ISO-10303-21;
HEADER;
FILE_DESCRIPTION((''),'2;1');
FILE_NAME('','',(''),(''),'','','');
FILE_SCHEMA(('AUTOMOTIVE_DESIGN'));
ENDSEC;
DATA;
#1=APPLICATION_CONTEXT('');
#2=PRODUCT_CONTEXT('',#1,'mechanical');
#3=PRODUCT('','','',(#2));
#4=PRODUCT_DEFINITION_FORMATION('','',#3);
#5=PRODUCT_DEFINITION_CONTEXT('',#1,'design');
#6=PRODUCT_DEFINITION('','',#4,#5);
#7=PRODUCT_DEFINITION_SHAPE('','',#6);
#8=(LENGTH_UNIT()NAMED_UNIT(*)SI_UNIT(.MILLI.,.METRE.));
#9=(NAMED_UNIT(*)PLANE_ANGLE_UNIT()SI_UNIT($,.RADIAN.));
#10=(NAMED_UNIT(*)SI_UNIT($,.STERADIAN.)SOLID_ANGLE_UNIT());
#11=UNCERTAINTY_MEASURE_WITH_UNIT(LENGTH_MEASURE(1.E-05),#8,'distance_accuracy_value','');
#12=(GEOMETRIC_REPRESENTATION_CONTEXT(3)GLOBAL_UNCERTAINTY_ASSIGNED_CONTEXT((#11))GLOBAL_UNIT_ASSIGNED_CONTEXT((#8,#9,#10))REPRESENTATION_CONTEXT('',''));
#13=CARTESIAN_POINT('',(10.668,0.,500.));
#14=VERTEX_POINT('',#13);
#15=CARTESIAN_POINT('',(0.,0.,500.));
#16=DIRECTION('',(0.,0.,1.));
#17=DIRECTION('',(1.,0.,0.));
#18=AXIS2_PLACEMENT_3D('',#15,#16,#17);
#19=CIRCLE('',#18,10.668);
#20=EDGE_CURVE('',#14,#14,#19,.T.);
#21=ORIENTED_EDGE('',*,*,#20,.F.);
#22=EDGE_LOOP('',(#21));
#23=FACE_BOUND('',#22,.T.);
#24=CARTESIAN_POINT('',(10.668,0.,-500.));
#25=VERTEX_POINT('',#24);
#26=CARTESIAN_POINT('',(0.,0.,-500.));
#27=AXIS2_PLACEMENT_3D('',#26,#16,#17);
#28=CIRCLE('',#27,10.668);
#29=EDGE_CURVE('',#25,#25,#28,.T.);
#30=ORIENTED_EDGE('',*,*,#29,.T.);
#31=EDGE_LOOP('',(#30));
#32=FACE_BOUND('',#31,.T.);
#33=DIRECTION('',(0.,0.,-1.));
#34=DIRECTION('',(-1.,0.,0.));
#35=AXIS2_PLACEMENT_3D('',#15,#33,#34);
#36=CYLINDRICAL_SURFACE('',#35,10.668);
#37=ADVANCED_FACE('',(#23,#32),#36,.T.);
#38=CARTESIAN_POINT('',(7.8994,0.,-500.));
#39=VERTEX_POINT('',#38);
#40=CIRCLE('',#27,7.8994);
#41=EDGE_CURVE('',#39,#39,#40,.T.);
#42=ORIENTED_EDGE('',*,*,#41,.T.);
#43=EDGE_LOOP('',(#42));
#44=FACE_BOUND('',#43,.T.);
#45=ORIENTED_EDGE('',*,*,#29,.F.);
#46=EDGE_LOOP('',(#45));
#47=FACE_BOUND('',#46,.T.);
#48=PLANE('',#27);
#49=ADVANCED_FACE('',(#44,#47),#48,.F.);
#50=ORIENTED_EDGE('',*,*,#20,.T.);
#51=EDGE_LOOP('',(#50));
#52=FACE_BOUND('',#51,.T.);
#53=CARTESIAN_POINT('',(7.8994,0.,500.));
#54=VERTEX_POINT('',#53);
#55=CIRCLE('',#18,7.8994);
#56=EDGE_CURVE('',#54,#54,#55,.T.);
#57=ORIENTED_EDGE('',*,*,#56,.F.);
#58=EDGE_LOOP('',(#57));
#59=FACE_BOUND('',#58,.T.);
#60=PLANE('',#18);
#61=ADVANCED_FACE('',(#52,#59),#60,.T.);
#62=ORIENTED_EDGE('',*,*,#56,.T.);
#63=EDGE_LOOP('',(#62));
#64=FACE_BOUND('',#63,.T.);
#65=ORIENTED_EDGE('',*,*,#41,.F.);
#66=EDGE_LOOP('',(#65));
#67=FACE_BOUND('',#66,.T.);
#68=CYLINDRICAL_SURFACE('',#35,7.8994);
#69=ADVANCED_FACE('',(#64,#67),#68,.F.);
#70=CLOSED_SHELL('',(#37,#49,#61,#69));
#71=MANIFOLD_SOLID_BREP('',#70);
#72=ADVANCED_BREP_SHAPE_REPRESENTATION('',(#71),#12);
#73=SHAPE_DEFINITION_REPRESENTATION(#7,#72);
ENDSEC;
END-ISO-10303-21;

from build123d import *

# Parameters (mm, degrees)
SKETCH1_R           = 10.668
SKETCH1_R_2         = 7.8994
EXTRUDE_THIN1_DEPTH = 500


with BuildPart() as part:
    # Sketch1 → Extrude-Thin1 (new body, symmetric)
    with BuildSketch(Plane.XY):
        Circle(SKETCH1_R)
        Circle(SKETCH1_R_2, mode=Mode.SUBTRACT)
    extrude(amount=EXTRUDE_THIN1_DEPTH, both=True)


solid = part.part
